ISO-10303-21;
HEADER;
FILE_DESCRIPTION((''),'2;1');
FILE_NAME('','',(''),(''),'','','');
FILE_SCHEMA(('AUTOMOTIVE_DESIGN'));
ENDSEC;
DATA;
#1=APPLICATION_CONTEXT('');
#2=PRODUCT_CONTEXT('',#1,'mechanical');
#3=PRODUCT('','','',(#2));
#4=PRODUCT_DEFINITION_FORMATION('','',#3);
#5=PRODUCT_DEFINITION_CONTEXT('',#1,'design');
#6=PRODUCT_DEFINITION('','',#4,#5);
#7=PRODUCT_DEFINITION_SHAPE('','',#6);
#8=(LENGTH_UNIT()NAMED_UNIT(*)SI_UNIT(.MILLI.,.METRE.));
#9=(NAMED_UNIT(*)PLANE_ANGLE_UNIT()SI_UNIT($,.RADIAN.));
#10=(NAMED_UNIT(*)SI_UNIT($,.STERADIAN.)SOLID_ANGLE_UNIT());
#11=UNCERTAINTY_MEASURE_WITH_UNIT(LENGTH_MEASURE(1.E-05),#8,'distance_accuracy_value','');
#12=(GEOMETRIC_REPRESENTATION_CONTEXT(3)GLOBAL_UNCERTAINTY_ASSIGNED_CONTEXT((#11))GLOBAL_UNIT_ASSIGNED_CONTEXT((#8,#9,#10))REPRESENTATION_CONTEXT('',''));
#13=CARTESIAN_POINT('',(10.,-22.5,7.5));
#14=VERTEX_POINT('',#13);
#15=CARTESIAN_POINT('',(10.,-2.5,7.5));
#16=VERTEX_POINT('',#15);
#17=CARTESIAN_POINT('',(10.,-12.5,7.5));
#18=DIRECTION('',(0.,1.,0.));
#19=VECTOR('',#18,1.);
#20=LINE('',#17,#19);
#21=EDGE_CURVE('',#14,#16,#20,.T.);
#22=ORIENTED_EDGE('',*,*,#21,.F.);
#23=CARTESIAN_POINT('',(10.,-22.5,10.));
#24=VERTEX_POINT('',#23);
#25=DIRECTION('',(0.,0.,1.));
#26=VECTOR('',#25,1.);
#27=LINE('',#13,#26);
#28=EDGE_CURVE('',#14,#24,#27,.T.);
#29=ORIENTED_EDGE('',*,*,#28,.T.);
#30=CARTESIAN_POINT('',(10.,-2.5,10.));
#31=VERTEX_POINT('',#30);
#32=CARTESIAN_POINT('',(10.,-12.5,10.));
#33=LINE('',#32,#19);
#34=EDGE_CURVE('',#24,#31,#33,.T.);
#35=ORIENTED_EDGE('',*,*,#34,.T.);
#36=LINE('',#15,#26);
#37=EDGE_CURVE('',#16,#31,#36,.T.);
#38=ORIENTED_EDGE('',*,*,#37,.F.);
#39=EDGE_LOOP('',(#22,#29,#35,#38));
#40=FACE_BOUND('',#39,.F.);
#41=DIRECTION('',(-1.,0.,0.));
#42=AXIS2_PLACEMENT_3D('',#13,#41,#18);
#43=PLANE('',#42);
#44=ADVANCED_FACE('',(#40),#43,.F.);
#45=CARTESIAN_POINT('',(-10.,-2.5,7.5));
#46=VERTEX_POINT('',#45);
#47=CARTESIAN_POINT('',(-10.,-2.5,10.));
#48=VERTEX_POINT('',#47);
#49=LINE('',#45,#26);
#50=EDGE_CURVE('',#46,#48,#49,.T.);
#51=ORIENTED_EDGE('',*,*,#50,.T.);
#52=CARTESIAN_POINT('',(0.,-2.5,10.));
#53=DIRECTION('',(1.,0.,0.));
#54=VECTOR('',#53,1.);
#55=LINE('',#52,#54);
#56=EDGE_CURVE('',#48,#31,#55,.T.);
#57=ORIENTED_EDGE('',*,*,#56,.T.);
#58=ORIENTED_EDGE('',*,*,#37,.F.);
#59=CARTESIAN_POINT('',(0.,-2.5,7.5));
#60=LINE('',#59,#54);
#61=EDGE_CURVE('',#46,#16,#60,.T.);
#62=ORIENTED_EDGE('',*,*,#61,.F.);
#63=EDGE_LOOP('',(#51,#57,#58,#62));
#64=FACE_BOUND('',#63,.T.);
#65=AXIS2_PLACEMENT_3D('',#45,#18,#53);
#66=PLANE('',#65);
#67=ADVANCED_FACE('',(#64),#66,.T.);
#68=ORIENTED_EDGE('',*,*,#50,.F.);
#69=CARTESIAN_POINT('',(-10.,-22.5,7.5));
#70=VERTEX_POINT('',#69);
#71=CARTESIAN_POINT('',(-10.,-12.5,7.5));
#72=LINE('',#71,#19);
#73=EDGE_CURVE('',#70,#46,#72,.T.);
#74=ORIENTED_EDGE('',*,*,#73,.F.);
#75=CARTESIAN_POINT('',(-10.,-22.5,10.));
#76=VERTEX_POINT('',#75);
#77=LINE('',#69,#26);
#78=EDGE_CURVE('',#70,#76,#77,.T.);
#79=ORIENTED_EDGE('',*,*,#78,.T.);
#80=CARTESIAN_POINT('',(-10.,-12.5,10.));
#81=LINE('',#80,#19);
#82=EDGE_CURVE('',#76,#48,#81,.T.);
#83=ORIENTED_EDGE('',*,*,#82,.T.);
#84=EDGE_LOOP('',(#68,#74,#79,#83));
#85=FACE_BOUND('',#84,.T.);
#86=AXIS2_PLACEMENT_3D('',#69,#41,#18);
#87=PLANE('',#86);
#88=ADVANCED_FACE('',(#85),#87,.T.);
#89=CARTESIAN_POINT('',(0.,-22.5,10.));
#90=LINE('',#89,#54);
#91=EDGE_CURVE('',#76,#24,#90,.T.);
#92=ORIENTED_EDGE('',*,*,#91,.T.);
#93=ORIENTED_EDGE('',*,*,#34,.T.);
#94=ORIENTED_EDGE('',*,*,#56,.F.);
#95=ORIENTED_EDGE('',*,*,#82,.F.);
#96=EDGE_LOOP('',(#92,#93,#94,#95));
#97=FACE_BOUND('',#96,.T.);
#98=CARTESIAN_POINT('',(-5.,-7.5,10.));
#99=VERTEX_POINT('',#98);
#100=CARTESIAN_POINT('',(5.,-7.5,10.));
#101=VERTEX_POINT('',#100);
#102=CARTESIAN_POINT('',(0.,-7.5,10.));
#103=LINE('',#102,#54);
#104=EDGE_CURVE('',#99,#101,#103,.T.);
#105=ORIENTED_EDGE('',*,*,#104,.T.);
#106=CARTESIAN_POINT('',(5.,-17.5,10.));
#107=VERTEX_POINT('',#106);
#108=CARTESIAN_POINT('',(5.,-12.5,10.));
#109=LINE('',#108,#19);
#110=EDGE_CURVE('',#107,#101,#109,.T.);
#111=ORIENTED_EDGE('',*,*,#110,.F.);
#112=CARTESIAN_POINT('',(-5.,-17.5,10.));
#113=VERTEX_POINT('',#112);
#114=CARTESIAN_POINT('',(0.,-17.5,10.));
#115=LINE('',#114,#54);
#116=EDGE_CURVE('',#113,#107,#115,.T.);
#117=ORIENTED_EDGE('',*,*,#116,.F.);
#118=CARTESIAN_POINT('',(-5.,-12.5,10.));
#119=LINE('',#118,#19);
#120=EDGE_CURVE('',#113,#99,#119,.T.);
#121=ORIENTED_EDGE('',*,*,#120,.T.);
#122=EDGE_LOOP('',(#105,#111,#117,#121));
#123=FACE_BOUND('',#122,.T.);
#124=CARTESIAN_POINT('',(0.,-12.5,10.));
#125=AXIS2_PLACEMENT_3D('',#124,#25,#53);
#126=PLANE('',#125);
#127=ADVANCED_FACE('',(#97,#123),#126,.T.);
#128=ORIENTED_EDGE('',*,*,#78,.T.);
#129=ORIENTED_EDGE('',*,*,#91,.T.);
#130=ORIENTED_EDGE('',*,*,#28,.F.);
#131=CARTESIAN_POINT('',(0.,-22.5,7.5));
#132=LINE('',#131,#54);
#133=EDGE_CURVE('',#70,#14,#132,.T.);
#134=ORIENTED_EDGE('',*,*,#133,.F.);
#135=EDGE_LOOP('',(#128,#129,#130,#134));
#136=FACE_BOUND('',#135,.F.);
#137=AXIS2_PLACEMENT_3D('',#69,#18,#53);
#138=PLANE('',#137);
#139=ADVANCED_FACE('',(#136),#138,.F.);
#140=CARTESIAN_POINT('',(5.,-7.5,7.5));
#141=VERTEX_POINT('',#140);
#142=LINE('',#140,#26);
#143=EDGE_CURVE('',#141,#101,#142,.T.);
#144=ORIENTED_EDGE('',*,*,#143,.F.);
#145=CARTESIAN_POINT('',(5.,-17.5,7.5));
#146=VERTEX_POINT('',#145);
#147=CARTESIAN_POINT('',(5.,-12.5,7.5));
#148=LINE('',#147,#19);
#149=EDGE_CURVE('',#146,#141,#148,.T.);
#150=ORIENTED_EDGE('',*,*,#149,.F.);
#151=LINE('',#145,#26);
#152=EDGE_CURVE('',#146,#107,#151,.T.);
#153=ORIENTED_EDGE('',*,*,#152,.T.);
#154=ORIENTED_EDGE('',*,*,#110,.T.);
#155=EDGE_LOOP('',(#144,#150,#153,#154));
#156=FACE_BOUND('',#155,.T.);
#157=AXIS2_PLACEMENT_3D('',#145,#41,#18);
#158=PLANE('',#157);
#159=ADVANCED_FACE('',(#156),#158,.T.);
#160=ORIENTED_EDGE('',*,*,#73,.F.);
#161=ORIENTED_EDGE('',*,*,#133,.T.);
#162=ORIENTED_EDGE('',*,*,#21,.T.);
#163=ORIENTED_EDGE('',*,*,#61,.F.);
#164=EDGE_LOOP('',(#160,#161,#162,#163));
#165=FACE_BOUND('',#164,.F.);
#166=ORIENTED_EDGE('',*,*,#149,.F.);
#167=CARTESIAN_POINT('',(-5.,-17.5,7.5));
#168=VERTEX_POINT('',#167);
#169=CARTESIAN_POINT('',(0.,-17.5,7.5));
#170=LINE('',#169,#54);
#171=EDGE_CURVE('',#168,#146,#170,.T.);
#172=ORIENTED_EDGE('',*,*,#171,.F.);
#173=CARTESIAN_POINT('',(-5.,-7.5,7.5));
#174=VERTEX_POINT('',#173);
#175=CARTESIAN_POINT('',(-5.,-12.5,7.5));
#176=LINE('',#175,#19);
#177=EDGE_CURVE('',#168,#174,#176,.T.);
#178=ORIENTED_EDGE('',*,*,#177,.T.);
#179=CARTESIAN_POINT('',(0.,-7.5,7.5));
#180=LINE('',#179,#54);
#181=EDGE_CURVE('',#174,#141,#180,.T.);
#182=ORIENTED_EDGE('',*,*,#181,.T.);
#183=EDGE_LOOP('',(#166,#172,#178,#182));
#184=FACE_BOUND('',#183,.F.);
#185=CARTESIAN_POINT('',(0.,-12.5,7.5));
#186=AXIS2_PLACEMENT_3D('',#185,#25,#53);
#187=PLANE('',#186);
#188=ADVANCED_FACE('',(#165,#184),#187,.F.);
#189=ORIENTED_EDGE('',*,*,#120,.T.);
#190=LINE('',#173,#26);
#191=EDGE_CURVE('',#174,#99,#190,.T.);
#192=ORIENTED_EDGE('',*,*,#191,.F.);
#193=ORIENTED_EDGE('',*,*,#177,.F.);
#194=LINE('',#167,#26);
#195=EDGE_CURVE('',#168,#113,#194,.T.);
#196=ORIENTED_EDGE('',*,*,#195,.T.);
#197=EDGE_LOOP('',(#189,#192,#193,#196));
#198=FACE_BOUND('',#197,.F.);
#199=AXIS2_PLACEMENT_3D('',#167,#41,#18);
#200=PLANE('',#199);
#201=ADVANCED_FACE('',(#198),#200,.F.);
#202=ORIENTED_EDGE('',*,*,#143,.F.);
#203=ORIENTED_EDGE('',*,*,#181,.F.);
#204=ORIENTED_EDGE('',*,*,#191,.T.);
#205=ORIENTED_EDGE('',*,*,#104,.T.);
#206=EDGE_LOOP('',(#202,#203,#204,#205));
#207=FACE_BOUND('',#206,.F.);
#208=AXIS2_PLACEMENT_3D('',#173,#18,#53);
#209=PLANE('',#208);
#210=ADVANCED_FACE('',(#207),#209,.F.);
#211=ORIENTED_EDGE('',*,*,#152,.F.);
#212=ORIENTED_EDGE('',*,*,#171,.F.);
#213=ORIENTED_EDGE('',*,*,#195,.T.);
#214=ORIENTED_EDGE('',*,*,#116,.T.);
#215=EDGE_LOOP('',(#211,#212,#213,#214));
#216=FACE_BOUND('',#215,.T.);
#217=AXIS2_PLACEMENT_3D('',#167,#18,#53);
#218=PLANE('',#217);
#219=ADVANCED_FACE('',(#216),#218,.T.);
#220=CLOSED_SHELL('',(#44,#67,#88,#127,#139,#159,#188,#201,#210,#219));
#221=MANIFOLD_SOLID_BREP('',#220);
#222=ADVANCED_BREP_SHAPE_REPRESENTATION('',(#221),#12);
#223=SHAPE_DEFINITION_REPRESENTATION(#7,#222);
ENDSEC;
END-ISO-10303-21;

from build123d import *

# Parameters (mm, degrees)
F0_W     = 20
F0_H     = 20
F0_W_2   = 10
F0_H_2   = 10
F1_DEPTH = 2.5
F2_ANGLE = 90


with BuildPart() as f1:
    # F0 (on Front) → F1 (new body)
    with BuildSketch(Plane.XZ):
        Rectangle(F0_W, F0_H)
        Rectangle(F0_W_2, F0_H_2, mode=Mode.SUBTRACT)
    extrude(amount=F1_DEPTH)


with BuildPart() as f1_1:
    # F2: moved
    add(f1.part.rotate(Axis((0, -2.5, 10), (-1, 0, 0)), F2_ANGLE))


solid = f1_1.part
